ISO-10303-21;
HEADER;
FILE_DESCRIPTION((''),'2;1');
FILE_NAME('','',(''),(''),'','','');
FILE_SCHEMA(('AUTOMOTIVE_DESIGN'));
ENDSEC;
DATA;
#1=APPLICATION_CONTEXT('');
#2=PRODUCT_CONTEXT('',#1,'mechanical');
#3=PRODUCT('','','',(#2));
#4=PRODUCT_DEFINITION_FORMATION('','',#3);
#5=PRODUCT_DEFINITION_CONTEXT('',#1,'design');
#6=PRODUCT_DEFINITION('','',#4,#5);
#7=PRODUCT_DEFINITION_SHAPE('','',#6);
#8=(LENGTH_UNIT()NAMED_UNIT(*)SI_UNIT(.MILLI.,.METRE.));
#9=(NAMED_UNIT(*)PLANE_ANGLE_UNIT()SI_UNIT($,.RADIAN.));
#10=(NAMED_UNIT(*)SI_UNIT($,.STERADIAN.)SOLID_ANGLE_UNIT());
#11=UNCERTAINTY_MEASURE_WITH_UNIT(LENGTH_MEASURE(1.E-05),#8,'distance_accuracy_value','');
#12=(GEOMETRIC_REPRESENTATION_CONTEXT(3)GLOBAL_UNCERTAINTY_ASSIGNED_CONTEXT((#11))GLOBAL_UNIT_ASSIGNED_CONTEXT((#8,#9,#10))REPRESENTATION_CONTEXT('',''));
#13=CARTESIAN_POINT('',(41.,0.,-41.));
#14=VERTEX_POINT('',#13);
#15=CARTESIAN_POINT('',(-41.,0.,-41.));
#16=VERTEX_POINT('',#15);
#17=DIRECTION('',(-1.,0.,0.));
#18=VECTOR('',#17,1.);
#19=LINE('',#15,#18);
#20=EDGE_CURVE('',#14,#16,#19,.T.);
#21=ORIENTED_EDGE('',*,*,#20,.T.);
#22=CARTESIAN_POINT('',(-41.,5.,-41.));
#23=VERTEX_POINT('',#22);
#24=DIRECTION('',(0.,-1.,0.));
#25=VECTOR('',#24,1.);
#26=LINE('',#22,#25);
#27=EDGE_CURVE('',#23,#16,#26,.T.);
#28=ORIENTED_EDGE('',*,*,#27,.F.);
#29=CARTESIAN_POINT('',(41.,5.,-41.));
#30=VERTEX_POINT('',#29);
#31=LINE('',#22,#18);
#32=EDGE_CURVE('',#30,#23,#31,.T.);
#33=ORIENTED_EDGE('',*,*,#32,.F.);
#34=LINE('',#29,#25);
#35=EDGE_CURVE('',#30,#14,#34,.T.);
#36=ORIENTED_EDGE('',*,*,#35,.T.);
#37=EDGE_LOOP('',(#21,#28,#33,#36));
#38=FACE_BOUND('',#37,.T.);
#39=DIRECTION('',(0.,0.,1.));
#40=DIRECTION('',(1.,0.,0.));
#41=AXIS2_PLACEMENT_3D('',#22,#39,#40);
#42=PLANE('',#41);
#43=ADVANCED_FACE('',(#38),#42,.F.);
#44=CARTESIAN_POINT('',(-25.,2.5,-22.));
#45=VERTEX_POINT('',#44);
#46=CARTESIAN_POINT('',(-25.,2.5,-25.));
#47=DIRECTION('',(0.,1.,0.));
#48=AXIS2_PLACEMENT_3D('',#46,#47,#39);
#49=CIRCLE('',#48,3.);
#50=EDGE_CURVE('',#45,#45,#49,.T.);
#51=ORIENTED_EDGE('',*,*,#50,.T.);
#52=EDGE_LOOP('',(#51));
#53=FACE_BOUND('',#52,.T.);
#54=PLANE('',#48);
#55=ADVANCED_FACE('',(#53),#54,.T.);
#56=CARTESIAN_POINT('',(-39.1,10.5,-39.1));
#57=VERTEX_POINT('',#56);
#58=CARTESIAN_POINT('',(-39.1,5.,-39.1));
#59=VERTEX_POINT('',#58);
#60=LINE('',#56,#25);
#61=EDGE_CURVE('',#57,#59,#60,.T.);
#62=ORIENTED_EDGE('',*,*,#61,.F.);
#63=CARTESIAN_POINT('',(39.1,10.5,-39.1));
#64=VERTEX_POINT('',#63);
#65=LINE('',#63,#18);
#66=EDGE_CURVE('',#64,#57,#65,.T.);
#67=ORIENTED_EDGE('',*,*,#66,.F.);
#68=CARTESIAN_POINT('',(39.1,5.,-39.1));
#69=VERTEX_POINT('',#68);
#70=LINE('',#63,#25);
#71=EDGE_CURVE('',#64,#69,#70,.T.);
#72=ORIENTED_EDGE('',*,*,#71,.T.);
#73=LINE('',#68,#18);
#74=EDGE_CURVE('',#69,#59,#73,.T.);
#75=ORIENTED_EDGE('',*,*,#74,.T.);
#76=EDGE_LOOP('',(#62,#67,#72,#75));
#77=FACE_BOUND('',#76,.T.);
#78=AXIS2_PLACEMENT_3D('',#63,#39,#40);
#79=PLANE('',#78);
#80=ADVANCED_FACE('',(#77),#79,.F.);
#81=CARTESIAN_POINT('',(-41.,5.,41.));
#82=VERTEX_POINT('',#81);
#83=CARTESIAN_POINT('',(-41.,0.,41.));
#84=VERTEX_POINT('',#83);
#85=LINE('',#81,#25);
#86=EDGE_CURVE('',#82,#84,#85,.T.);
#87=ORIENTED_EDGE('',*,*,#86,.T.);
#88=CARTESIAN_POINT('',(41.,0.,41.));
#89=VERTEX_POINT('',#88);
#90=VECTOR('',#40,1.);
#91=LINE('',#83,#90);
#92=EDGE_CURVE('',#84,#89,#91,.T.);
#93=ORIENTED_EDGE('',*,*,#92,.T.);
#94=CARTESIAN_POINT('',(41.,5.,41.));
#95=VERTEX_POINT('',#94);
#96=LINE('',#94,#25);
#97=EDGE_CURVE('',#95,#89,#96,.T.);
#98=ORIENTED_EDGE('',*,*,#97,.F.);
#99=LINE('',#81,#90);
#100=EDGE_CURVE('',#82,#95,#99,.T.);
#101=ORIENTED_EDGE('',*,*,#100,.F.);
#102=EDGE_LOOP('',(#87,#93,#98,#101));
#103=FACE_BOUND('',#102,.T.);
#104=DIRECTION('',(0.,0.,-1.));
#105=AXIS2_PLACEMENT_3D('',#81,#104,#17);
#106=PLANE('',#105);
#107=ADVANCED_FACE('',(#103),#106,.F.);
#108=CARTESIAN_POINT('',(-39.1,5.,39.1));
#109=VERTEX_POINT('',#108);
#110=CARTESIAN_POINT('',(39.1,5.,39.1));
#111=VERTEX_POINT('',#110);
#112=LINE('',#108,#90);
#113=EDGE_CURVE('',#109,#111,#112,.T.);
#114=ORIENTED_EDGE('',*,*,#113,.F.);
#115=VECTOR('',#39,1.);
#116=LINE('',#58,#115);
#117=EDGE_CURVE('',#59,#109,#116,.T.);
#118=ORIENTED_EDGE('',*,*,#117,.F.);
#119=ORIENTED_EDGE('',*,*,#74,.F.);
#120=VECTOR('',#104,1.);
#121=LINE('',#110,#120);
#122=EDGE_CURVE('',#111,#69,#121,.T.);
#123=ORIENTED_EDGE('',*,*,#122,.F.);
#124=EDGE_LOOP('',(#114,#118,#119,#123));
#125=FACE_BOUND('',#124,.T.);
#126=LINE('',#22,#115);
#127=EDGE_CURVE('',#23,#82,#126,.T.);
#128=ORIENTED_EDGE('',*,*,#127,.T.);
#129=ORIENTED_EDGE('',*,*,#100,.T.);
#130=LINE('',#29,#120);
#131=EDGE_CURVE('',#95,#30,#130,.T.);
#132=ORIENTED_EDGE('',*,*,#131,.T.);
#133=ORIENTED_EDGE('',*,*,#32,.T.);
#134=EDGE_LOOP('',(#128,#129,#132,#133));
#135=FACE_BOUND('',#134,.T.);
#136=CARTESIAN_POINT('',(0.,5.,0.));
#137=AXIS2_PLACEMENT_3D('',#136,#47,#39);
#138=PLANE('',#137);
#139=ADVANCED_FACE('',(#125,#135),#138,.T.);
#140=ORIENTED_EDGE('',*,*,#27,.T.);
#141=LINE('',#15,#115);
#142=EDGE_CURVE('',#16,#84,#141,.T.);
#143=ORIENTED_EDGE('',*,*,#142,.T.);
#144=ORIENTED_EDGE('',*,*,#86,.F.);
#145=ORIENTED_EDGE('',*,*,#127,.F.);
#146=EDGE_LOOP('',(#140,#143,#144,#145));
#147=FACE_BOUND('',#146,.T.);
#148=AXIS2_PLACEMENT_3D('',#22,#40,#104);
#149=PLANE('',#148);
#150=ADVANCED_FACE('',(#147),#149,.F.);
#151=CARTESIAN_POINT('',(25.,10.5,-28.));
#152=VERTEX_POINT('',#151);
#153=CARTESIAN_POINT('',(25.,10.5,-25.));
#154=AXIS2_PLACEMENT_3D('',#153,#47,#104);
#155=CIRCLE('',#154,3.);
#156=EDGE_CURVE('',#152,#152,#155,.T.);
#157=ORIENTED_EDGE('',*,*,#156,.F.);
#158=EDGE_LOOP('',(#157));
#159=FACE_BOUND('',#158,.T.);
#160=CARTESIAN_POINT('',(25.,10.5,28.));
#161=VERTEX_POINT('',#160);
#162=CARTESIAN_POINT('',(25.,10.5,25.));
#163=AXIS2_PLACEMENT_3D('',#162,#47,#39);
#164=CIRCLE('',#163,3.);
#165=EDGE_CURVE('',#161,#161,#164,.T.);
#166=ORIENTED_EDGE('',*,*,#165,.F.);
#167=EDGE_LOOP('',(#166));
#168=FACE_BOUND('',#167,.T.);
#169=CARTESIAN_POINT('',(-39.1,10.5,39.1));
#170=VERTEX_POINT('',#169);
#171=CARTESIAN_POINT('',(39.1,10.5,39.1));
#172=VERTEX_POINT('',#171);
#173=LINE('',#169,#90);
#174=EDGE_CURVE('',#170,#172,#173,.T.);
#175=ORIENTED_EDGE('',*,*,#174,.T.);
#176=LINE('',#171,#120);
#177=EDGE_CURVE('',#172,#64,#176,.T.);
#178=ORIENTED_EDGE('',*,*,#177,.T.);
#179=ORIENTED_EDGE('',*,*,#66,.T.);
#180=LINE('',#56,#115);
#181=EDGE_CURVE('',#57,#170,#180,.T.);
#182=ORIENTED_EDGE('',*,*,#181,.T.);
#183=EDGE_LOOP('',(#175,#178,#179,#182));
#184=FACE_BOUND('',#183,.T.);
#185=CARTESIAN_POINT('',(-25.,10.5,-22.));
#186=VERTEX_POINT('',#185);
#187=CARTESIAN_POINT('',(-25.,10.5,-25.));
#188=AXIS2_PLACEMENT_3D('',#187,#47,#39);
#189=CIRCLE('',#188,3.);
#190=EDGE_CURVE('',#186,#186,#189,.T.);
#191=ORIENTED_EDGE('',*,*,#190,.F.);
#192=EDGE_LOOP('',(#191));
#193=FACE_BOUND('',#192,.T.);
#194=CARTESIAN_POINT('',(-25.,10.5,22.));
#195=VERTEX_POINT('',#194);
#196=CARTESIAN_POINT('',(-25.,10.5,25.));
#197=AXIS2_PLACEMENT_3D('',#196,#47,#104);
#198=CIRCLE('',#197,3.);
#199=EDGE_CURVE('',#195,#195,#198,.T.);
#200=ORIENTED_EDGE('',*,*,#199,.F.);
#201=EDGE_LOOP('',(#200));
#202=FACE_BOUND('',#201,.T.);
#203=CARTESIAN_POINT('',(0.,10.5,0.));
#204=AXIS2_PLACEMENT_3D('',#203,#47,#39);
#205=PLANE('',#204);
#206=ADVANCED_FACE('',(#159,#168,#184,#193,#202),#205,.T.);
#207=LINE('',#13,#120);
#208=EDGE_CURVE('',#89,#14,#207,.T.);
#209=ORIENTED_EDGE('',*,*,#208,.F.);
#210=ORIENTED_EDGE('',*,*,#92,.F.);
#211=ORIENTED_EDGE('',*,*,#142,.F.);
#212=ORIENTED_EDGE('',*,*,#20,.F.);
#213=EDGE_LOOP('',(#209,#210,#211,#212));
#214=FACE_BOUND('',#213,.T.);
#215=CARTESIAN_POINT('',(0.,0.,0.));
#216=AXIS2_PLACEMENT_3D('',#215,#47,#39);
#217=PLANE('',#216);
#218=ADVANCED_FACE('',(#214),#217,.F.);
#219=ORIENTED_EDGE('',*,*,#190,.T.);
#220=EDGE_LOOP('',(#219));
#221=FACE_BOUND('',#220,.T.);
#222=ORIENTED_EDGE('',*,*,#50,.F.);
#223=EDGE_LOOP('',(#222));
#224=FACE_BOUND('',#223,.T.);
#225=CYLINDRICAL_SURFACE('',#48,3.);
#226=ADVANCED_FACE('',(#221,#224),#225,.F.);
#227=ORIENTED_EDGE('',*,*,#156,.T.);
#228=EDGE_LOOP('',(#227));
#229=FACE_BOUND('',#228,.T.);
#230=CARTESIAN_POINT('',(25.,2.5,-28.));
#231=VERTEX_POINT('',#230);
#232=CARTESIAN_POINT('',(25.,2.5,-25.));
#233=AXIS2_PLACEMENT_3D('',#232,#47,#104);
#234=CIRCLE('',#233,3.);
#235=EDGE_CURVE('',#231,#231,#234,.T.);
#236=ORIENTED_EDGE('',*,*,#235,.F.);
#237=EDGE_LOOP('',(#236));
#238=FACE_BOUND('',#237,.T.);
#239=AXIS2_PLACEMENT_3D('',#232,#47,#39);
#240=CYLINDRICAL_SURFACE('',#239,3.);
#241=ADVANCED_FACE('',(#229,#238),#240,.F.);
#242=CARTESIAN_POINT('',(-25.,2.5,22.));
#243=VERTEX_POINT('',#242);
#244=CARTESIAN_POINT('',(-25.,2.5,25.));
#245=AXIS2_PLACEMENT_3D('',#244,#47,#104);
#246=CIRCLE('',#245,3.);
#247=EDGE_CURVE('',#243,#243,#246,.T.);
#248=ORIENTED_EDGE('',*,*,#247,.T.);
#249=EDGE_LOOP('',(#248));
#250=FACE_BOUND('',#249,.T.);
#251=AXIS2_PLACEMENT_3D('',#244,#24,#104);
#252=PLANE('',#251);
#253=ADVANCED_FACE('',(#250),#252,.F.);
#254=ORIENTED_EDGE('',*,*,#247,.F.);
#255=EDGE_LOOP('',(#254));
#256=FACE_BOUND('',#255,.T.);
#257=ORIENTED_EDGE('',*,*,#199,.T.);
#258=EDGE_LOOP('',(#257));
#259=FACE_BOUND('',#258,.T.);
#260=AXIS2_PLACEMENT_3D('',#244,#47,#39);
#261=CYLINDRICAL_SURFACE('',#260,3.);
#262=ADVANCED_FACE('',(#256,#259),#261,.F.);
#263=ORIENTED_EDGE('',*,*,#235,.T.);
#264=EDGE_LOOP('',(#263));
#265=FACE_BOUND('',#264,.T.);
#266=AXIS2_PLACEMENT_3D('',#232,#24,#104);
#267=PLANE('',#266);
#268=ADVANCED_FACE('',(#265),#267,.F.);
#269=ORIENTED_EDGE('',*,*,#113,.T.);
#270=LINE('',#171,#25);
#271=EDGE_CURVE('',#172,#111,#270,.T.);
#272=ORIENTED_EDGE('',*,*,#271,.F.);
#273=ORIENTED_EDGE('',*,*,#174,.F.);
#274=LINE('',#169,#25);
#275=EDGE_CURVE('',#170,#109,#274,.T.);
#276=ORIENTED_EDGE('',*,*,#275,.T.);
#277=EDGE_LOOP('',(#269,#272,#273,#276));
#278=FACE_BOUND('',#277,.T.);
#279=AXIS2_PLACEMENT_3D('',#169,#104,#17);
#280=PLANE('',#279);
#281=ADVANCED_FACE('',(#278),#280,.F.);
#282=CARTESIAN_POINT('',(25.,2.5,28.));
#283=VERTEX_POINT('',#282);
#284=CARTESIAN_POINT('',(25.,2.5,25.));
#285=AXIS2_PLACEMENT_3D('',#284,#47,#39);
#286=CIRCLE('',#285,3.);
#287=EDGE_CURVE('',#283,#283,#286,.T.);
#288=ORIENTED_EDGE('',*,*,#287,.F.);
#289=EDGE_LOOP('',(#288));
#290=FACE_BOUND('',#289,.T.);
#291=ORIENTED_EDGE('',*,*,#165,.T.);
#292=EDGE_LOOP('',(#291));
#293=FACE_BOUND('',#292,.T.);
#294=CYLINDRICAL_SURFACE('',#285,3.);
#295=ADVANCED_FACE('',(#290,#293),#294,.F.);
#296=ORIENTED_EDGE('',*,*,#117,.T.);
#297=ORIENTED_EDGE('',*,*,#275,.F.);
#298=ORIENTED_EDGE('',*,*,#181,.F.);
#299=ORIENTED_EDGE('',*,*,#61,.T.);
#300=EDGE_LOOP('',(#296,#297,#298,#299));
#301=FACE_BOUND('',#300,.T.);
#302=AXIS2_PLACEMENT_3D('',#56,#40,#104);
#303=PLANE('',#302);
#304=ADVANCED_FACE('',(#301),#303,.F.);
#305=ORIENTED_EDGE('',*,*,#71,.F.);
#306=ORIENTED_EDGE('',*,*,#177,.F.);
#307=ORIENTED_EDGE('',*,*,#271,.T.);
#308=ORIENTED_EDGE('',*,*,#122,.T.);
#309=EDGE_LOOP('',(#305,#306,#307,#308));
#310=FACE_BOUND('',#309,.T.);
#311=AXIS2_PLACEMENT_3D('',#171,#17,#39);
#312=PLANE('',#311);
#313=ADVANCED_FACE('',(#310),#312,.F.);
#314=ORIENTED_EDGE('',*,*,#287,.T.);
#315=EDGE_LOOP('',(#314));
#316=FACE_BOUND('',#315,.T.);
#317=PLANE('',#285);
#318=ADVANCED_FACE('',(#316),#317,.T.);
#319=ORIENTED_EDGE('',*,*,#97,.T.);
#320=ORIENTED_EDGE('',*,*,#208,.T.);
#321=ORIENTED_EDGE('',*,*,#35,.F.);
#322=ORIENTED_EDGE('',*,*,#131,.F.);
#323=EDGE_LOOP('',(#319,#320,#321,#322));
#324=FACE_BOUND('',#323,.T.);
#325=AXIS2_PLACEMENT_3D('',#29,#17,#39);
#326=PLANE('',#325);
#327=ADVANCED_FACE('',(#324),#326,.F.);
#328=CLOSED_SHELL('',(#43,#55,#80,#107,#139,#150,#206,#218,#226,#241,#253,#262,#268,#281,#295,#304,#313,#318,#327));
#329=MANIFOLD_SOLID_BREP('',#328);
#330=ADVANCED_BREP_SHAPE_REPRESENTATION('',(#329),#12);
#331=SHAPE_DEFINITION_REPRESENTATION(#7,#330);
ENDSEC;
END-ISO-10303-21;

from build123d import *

# Parameters (mm, degrees)
SKETCH1_W           = 82
SKETCH1_H           = 82
BOSS_EXTRUDE1_DEPTH = 5
SKETCH2_W           = 78.2
SKETCH2_H           = 78.2
BOSS_EXTRUDE2_DEPTH = 5.5
SKETCH3_R           = 3
CUT_EXTRUDE1_DEPTH  = 8


with BuildPart() as part:
    # Sketch1 → Boss-Extrude1 (new body)
    with BuildSketch(Plane(origin=(0, 0, 0), x_dir=(1, 0, 0), z_dir=(0, 1, 0))):
        Rectangle(SKETCH1_W, SKETCH1_H)
    extrude(amount=BOSS_EXTRUDE1_DEPTH)

    # Sketch2 → Boss-Extrude2 (add)
    with BuildSketch(Plane(origin=(0, 5, 0), x_dir=(1, 0, 0), z_dir=(0, 1, 0))):
        Rectangle(SKETCH2_W, SKETCH2_H)
    extrude(amount=BOSS_EXTRUDE2_DEPTH)

    # Sketch3 → Cut-Extrude1 (cut)
    with BuildSketch(Plane(origin=(0, 10.5, 0), x_dir=(1, 0, 0), z_dir=(0, 1, 0))):
        with Locations(Location((-25, 25, 0), (0, 0, 270))):
            Circle(SKETCH3_R)
        with Locations(Location((-25, -25, 0), (0, 0, 90))):
            Circle(SKETCH3_R)
        with Locations(Location((25, -25, 0), (0, 0, 270))):
            Circle(SKETCH3_R)
        with Locations(Location((25, 25, 0), (0, 0, 90))):
            Circle(SKETCH3_R)
    extrude(amount=-CUT_EXTRUDE1_DEPTH, mode=Mode.SUBTRACT)


solid = part.part
